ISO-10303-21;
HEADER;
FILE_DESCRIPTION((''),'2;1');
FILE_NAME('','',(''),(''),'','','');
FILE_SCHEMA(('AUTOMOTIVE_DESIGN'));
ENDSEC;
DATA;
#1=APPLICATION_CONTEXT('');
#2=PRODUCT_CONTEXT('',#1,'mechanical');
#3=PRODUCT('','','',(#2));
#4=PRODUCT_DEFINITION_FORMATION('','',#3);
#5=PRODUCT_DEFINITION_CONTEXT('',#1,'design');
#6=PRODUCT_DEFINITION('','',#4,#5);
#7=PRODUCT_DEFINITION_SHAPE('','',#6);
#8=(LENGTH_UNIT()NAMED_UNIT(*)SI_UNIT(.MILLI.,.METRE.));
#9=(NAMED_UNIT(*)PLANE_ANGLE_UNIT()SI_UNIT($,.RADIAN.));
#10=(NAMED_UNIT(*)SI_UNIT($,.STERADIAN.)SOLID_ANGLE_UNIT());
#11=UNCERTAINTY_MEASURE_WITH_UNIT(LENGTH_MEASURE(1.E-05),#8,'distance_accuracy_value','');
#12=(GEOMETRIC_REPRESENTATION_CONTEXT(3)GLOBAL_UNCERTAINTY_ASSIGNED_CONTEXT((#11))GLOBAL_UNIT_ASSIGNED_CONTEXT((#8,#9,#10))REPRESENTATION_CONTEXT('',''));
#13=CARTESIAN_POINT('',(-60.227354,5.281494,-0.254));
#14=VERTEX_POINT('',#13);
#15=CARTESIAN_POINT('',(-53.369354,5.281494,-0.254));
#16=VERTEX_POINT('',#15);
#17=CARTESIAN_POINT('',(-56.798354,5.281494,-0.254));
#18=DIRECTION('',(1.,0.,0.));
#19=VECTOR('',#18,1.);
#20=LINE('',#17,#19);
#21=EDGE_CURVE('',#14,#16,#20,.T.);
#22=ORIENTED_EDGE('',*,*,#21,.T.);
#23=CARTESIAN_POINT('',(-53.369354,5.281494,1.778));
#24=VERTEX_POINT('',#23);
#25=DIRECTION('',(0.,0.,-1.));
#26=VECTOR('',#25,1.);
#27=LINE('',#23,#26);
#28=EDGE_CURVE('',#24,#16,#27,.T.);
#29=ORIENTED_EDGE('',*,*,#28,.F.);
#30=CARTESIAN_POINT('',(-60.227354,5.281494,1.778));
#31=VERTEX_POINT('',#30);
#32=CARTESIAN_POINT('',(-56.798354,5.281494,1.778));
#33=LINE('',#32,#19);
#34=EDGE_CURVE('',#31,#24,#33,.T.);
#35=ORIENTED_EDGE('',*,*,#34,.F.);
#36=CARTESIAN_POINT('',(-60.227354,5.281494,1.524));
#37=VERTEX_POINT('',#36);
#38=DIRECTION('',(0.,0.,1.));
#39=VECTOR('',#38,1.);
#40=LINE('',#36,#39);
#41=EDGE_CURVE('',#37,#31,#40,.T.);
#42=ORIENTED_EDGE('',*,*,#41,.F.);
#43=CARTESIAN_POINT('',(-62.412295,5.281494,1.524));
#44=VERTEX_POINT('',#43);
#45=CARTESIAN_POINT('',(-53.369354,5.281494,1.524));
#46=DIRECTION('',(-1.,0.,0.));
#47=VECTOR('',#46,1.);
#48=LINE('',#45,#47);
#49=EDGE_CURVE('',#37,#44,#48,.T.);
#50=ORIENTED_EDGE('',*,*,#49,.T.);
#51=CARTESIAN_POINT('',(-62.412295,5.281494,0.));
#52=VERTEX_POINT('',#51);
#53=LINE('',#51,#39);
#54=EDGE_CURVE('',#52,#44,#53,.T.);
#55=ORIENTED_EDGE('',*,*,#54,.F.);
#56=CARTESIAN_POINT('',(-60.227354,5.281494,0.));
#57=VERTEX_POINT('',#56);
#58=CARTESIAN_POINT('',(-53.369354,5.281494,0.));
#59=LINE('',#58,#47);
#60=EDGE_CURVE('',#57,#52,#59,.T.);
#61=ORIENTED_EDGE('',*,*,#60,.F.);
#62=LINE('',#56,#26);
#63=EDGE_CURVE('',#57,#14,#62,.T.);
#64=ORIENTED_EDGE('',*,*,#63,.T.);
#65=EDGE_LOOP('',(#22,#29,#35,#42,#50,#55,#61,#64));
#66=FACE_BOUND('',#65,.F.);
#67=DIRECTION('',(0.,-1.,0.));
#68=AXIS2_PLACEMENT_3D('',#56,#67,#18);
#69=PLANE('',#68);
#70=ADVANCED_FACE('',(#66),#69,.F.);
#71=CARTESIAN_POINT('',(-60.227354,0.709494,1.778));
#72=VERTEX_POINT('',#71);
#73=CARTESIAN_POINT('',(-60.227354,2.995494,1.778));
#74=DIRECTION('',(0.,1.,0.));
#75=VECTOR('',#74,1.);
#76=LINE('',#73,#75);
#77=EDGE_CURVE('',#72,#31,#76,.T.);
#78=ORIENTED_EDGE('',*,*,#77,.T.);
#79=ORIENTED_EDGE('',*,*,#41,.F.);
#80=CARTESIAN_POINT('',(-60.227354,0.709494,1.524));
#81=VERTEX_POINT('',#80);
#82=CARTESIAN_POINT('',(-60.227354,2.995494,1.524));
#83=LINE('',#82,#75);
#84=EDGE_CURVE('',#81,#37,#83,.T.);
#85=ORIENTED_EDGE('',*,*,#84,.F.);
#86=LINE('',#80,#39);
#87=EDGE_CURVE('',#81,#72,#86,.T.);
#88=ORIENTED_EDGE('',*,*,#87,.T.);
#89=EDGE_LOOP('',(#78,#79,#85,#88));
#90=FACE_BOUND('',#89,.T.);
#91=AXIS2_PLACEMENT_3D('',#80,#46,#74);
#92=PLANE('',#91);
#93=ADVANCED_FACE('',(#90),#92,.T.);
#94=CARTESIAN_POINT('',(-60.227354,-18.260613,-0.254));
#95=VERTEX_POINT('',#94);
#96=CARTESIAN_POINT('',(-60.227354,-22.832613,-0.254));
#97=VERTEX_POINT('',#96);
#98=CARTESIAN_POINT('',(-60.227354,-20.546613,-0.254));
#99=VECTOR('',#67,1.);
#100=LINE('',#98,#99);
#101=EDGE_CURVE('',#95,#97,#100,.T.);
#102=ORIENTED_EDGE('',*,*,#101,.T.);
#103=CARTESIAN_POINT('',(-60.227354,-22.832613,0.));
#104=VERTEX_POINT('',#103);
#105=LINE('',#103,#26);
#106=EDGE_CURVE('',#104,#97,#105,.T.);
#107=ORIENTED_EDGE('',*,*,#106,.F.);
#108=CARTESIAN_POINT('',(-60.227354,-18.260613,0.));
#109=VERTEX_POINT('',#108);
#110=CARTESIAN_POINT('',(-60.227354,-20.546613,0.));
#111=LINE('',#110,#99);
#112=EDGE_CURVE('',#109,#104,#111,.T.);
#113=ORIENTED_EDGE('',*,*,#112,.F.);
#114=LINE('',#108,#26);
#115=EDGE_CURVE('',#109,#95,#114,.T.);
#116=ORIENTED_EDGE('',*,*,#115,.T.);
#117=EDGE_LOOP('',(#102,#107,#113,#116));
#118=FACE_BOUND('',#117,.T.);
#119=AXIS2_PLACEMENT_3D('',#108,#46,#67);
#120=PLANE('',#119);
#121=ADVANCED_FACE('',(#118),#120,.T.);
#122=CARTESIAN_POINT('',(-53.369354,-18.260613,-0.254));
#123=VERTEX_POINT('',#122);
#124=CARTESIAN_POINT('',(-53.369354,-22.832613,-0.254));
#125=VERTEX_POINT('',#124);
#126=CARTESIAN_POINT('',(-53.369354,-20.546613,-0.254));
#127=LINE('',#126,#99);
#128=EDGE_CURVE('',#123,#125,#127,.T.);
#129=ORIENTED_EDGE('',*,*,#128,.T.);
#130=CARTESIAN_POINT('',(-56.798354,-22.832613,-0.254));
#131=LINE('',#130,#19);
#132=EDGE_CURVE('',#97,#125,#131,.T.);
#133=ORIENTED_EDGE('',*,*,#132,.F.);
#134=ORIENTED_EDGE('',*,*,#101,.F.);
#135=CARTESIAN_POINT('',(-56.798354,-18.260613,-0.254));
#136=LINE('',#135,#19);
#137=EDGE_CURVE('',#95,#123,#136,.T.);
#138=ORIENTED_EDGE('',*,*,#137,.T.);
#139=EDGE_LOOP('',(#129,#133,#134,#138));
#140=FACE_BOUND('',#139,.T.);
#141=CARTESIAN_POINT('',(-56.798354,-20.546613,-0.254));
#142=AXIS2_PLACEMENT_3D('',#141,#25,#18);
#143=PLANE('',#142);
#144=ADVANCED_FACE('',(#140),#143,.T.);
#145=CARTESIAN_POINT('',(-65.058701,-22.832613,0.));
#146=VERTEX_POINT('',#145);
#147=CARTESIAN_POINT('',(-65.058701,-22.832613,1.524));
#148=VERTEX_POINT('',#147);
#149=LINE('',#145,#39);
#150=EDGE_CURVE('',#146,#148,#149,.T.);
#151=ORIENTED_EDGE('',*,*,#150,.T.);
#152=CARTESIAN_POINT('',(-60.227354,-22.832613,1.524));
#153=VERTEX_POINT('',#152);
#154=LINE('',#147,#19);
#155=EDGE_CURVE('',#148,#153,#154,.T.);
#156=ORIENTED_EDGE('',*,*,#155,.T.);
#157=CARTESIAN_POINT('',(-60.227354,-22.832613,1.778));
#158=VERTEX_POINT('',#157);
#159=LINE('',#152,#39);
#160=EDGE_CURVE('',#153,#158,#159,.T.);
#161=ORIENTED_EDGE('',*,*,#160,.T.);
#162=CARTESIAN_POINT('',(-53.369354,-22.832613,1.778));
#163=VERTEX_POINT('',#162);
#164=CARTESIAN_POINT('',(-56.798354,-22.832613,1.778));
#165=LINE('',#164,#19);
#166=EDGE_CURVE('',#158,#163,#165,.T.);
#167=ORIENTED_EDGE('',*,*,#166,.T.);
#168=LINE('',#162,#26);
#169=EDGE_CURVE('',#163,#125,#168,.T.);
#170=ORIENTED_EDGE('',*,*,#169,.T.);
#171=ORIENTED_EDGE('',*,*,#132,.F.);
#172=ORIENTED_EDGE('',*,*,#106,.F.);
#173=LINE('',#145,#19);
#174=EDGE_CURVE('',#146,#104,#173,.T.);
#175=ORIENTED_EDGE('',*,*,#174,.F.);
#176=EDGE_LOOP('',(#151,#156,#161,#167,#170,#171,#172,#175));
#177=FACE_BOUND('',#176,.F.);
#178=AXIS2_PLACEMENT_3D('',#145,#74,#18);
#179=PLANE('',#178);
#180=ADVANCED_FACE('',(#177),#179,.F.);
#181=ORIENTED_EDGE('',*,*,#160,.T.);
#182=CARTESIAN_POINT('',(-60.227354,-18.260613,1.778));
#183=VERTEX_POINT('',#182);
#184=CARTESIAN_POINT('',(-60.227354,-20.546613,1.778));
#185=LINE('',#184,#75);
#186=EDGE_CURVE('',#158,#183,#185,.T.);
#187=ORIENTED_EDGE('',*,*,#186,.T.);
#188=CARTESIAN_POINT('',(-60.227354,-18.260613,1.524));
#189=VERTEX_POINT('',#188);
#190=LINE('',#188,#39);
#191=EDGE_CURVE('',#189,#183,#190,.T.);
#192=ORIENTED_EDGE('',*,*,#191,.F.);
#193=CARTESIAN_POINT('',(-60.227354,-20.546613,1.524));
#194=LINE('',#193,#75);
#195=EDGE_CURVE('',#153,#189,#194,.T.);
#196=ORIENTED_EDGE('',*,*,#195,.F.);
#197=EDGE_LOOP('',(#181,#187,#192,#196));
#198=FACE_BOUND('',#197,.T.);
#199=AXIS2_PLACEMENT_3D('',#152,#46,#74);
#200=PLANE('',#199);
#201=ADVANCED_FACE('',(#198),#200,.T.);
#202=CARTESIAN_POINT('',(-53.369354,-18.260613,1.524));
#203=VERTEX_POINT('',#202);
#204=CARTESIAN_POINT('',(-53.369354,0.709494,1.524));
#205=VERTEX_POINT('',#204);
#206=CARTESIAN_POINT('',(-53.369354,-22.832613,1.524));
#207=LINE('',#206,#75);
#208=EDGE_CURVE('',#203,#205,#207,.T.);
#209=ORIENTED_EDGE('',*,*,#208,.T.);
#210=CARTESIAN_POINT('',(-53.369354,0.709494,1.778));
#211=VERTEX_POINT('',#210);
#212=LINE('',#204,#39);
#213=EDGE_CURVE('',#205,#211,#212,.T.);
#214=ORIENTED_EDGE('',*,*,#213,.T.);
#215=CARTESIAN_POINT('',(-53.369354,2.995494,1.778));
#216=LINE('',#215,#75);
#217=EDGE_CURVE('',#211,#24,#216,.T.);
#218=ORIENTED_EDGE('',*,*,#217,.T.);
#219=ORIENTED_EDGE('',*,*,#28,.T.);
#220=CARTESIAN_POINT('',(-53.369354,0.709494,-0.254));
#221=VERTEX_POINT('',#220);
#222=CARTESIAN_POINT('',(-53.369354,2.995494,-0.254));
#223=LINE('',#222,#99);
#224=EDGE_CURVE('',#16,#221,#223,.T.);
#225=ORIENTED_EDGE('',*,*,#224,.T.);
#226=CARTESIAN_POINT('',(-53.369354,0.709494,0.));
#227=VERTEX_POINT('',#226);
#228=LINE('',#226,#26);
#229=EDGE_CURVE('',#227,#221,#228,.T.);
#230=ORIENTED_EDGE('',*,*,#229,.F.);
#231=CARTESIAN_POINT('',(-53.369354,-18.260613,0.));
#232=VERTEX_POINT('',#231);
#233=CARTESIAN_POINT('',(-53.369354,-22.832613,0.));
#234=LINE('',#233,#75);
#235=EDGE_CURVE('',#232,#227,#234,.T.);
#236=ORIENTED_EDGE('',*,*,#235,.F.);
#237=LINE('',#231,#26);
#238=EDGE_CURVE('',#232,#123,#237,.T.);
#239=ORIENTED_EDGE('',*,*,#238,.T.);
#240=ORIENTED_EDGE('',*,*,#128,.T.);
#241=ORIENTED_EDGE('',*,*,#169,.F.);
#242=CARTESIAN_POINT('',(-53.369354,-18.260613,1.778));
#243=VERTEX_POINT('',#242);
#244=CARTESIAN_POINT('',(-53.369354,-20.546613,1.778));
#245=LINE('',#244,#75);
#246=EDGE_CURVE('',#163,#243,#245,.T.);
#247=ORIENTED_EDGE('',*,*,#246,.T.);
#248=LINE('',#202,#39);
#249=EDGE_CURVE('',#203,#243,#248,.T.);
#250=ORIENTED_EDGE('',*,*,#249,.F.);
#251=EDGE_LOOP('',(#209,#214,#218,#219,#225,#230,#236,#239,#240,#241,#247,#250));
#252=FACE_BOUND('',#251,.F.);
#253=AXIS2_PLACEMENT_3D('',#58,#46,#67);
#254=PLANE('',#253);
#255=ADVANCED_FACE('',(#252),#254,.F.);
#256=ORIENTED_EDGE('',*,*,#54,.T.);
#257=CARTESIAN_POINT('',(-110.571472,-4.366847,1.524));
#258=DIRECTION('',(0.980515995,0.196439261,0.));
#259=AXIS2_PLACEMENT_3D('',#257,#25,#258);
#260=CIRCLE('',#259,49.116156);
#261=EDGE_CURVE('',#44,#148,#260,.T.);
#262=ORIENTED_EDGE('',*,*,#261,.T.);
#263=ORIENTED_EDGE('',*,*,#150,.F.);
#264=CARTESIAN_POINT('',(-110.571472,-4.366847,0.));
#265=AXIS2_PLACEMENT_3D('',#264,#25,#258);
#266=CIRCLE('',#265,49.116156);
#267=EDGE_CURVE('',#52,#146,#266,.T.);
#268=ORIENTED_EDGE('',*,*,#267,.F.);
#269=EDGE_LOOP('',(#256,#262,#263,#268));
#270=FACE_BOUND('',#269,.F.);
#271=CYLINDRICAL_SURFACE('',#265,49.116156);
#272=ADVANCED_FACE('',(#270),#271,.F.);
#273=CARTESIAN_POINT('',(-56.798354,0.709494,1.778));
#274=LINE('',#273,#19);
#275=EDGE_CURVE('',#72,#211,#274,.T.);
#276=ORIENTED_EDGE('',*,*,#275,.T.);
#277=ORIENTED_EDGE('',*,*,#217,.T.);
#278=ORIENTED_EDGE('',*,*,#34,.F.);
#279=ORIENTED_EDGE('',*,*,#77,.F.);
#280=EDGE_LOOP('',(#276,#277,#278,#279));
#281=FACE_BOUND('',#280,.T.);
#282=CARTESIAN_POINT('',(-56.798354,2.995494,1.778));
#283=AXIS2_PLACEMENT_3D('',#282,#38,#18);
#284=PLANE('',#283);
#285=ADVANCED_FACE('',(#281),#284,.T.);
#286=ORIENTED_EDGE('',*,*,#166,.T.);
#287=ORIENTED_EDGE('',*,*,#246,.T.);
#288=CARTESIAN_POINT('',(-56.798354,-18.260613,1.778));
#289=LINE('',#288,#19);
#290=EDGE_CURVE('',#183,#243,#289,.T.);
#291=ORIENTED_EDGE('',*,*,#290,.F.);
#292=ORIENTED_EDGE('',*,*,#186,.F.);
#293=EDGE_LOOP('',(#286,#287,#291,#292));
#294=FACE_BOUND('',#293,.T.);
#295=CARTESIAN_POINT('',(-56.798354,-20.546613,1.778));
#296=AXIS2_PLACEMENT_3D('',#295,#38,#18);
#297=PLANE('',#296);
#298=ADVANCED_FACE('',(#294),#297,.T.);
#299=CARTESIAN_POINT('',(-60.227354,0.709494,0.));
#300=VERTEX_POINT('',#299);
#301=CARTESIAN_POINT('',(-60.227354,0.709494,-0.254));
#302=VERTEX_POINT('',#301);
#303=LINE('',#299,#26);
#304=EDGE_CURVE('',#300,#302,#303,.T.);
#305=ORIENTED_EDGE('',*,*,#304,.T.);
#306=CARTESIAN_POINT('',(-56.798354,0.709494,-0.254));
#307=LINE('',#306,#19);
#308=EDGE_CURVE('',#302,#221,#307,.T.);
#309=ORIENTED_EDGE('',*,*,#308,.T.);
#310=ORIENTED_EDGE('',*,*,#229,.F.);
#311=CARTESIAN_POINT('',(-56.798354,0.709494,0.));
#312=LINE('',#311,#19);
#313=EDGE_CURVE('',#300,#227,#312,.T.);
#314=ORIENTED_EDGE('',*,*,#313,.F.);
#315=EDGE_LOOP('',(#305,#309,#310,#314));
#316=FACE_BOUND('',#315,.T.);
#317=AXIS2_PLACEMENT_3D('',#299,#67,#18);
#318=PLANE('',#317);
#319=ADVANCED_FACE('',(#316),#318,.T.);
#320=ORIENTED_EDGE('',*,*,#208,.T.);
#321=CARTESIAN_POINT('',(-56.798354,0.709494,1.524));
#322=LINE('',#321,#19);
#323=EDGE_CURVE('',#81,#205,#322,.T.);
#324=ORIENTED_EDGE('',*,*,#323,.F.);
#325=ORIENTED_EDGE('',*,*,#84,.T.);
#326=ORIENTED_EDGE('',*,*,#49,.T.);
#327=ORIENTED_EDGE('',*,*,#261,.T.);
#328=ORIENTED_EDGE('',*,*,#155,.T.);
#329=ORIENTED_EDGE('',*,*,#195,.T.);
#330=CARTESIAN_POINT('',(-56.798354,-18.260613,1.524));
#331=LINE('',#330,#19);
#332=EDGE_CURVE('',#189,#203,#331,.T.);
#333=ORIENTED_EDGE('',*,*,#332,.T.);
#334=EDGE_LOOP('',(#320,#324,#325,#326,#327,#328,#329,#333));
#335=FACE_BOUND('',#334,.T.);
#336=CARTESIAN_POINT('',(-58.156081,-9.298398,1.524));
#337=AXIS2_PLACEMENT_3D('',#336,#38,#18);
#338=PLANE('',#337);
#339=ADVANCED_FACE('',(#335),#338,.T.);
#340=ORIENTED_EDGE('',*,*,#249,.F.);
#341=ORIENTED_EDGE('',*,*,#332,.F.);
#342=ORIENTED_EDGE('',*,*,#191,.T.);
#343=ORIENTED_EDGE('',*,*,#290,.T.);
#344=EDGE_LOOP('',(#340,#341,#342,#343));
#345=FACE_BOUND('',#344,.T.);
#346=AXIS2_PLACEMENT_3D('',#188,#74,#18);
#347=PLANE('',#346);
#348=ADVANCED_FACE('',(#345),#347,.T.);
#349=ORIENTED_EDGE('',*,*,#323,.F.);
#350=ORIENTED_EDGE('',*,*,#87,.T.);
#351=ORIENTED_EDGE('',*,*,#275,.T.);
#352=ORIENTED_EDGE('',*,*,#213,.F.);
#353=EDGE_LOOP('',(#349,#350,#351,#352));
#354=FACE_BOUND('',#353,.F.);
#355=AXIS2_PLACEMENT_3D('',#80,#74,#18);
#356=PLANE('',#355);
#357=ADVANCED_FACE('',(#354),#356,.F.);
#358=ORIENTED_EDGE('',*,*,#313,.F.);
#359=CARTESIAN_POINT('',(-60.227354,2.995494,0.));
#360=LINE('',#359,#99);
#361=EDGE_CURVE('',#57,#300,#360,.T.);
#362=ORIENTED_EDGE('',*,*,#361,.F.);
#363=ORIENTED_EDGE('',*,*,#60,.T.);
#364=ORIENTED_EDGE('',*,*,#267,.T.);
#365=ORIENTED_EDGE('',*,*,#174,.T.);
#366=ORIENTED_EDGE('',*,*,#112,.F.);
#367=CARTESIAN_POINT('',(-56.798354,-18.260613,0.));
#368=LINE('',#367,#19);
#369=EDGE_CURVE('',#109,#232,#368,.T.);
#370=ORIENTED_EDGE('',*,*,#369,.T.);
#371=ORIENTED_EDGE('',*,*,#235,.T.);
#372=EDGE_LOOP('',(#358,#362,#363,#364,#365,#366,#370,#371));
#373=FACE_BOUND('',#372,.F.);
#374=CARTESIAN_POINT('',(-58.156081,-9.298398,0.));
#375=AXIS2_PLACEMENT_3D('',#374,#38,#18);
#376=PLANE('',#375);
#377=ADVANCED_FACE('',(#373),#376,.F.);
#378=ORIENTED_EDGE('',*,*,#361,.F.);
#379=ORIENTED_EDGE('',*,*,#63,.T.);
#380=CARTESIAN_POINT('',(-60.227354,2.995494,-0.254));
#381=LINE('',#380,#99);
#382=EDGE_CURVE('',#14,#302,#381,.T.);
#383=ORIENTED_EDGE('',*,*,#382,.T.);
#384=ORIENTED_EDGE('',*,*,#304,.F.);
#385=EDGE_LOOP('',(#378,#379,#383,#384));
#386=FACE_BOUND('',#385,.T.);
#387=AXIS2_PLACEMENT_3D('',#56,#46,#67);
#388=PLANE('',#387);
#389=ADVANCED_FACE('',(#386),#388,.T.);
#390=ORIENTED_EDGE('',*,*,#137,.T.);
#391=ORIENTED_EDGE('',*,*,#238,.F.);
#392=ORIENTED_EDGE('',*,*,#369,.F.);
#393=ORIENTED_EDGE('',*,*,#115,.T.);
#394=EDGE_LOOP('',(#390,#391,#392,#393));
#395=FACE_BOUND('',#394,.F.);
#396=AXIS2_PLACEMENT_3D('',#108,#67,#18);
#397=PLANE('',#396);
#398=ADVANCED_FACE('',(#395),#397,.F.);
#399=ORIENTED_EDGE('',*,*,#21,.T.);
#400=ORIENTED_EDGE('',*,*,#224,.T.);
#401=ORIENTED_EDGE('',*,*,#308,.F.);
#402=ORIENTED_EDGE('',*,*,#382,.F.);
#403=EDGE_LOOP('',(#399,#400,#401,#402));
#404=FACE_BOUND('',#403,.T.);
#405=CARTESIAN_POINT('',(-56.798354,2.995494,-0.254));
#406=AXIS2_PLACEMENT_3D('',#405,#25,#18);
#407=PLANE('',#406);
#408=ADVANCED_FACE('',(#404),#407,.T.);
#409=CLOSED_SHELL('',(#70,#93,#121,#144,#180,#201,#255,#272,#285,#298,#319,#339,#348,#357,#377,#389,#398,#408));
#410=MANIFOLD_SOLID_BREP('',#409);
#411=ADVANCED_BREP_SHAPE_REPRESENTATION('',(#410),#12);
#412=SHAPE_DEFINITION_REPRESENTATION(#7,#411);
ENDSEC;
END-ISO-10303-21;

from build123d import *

# Parameters (mm, degrees)
F1_DEPTH = 1.524
F2_W     = 6.858
F2_H     = 4.572
F3_DEPTH = 0.254
F4_W     = 6.858
F4_H     = 4.572
F5_DEPTH = 0.254


with BuildPart() as f1:
    # F0 (on Top) → F1 (new body)
    with BuildSketch(Plane.XY):
        with BuildLine():
            Line((-53.369354, -22.832613), (-53.369354, 5.281494))
            Line((-53.369354, 5.281494), (-62.412295, 5.281494))
            ThreePointArc((-62.412295, 5.281494), (-61.67148, -8.969847), (-65.058701, -22.832613))
            Line((-65.058701, -22.832613), (-53.369354, -22.832613))
        make_face()
    extrude(amount=F1_DEPTH)

    # F2 (on face) → F3 (join)
    with BuildSketch(Plane.XY.offset(1.524)):
        with Locations((-56.798354, 2.995494)):
            Rectangle(F2_W, F2_H)
        with Locations((-56.798354, -20.546613)):
            Rectangle(F2_W, F2_H)
    extrude(amount=F3_DEPTH)

    # F4 (on face) → F5 (join)
    with BuildSketch(Plane(origin=(0, 0, 0), x_dir=(1, 0, 0), z_dir=(0, 0, -1))):
        with Locations((-56.798354, -2.995494)):
            Rectangle(F4_W, F4_H)
        with Locations((-56.798354, 20.546613)):
            Rectangle(F4_W, F4_H)
    extrude(amount=F5_DEPTH)


solid = f1.part
